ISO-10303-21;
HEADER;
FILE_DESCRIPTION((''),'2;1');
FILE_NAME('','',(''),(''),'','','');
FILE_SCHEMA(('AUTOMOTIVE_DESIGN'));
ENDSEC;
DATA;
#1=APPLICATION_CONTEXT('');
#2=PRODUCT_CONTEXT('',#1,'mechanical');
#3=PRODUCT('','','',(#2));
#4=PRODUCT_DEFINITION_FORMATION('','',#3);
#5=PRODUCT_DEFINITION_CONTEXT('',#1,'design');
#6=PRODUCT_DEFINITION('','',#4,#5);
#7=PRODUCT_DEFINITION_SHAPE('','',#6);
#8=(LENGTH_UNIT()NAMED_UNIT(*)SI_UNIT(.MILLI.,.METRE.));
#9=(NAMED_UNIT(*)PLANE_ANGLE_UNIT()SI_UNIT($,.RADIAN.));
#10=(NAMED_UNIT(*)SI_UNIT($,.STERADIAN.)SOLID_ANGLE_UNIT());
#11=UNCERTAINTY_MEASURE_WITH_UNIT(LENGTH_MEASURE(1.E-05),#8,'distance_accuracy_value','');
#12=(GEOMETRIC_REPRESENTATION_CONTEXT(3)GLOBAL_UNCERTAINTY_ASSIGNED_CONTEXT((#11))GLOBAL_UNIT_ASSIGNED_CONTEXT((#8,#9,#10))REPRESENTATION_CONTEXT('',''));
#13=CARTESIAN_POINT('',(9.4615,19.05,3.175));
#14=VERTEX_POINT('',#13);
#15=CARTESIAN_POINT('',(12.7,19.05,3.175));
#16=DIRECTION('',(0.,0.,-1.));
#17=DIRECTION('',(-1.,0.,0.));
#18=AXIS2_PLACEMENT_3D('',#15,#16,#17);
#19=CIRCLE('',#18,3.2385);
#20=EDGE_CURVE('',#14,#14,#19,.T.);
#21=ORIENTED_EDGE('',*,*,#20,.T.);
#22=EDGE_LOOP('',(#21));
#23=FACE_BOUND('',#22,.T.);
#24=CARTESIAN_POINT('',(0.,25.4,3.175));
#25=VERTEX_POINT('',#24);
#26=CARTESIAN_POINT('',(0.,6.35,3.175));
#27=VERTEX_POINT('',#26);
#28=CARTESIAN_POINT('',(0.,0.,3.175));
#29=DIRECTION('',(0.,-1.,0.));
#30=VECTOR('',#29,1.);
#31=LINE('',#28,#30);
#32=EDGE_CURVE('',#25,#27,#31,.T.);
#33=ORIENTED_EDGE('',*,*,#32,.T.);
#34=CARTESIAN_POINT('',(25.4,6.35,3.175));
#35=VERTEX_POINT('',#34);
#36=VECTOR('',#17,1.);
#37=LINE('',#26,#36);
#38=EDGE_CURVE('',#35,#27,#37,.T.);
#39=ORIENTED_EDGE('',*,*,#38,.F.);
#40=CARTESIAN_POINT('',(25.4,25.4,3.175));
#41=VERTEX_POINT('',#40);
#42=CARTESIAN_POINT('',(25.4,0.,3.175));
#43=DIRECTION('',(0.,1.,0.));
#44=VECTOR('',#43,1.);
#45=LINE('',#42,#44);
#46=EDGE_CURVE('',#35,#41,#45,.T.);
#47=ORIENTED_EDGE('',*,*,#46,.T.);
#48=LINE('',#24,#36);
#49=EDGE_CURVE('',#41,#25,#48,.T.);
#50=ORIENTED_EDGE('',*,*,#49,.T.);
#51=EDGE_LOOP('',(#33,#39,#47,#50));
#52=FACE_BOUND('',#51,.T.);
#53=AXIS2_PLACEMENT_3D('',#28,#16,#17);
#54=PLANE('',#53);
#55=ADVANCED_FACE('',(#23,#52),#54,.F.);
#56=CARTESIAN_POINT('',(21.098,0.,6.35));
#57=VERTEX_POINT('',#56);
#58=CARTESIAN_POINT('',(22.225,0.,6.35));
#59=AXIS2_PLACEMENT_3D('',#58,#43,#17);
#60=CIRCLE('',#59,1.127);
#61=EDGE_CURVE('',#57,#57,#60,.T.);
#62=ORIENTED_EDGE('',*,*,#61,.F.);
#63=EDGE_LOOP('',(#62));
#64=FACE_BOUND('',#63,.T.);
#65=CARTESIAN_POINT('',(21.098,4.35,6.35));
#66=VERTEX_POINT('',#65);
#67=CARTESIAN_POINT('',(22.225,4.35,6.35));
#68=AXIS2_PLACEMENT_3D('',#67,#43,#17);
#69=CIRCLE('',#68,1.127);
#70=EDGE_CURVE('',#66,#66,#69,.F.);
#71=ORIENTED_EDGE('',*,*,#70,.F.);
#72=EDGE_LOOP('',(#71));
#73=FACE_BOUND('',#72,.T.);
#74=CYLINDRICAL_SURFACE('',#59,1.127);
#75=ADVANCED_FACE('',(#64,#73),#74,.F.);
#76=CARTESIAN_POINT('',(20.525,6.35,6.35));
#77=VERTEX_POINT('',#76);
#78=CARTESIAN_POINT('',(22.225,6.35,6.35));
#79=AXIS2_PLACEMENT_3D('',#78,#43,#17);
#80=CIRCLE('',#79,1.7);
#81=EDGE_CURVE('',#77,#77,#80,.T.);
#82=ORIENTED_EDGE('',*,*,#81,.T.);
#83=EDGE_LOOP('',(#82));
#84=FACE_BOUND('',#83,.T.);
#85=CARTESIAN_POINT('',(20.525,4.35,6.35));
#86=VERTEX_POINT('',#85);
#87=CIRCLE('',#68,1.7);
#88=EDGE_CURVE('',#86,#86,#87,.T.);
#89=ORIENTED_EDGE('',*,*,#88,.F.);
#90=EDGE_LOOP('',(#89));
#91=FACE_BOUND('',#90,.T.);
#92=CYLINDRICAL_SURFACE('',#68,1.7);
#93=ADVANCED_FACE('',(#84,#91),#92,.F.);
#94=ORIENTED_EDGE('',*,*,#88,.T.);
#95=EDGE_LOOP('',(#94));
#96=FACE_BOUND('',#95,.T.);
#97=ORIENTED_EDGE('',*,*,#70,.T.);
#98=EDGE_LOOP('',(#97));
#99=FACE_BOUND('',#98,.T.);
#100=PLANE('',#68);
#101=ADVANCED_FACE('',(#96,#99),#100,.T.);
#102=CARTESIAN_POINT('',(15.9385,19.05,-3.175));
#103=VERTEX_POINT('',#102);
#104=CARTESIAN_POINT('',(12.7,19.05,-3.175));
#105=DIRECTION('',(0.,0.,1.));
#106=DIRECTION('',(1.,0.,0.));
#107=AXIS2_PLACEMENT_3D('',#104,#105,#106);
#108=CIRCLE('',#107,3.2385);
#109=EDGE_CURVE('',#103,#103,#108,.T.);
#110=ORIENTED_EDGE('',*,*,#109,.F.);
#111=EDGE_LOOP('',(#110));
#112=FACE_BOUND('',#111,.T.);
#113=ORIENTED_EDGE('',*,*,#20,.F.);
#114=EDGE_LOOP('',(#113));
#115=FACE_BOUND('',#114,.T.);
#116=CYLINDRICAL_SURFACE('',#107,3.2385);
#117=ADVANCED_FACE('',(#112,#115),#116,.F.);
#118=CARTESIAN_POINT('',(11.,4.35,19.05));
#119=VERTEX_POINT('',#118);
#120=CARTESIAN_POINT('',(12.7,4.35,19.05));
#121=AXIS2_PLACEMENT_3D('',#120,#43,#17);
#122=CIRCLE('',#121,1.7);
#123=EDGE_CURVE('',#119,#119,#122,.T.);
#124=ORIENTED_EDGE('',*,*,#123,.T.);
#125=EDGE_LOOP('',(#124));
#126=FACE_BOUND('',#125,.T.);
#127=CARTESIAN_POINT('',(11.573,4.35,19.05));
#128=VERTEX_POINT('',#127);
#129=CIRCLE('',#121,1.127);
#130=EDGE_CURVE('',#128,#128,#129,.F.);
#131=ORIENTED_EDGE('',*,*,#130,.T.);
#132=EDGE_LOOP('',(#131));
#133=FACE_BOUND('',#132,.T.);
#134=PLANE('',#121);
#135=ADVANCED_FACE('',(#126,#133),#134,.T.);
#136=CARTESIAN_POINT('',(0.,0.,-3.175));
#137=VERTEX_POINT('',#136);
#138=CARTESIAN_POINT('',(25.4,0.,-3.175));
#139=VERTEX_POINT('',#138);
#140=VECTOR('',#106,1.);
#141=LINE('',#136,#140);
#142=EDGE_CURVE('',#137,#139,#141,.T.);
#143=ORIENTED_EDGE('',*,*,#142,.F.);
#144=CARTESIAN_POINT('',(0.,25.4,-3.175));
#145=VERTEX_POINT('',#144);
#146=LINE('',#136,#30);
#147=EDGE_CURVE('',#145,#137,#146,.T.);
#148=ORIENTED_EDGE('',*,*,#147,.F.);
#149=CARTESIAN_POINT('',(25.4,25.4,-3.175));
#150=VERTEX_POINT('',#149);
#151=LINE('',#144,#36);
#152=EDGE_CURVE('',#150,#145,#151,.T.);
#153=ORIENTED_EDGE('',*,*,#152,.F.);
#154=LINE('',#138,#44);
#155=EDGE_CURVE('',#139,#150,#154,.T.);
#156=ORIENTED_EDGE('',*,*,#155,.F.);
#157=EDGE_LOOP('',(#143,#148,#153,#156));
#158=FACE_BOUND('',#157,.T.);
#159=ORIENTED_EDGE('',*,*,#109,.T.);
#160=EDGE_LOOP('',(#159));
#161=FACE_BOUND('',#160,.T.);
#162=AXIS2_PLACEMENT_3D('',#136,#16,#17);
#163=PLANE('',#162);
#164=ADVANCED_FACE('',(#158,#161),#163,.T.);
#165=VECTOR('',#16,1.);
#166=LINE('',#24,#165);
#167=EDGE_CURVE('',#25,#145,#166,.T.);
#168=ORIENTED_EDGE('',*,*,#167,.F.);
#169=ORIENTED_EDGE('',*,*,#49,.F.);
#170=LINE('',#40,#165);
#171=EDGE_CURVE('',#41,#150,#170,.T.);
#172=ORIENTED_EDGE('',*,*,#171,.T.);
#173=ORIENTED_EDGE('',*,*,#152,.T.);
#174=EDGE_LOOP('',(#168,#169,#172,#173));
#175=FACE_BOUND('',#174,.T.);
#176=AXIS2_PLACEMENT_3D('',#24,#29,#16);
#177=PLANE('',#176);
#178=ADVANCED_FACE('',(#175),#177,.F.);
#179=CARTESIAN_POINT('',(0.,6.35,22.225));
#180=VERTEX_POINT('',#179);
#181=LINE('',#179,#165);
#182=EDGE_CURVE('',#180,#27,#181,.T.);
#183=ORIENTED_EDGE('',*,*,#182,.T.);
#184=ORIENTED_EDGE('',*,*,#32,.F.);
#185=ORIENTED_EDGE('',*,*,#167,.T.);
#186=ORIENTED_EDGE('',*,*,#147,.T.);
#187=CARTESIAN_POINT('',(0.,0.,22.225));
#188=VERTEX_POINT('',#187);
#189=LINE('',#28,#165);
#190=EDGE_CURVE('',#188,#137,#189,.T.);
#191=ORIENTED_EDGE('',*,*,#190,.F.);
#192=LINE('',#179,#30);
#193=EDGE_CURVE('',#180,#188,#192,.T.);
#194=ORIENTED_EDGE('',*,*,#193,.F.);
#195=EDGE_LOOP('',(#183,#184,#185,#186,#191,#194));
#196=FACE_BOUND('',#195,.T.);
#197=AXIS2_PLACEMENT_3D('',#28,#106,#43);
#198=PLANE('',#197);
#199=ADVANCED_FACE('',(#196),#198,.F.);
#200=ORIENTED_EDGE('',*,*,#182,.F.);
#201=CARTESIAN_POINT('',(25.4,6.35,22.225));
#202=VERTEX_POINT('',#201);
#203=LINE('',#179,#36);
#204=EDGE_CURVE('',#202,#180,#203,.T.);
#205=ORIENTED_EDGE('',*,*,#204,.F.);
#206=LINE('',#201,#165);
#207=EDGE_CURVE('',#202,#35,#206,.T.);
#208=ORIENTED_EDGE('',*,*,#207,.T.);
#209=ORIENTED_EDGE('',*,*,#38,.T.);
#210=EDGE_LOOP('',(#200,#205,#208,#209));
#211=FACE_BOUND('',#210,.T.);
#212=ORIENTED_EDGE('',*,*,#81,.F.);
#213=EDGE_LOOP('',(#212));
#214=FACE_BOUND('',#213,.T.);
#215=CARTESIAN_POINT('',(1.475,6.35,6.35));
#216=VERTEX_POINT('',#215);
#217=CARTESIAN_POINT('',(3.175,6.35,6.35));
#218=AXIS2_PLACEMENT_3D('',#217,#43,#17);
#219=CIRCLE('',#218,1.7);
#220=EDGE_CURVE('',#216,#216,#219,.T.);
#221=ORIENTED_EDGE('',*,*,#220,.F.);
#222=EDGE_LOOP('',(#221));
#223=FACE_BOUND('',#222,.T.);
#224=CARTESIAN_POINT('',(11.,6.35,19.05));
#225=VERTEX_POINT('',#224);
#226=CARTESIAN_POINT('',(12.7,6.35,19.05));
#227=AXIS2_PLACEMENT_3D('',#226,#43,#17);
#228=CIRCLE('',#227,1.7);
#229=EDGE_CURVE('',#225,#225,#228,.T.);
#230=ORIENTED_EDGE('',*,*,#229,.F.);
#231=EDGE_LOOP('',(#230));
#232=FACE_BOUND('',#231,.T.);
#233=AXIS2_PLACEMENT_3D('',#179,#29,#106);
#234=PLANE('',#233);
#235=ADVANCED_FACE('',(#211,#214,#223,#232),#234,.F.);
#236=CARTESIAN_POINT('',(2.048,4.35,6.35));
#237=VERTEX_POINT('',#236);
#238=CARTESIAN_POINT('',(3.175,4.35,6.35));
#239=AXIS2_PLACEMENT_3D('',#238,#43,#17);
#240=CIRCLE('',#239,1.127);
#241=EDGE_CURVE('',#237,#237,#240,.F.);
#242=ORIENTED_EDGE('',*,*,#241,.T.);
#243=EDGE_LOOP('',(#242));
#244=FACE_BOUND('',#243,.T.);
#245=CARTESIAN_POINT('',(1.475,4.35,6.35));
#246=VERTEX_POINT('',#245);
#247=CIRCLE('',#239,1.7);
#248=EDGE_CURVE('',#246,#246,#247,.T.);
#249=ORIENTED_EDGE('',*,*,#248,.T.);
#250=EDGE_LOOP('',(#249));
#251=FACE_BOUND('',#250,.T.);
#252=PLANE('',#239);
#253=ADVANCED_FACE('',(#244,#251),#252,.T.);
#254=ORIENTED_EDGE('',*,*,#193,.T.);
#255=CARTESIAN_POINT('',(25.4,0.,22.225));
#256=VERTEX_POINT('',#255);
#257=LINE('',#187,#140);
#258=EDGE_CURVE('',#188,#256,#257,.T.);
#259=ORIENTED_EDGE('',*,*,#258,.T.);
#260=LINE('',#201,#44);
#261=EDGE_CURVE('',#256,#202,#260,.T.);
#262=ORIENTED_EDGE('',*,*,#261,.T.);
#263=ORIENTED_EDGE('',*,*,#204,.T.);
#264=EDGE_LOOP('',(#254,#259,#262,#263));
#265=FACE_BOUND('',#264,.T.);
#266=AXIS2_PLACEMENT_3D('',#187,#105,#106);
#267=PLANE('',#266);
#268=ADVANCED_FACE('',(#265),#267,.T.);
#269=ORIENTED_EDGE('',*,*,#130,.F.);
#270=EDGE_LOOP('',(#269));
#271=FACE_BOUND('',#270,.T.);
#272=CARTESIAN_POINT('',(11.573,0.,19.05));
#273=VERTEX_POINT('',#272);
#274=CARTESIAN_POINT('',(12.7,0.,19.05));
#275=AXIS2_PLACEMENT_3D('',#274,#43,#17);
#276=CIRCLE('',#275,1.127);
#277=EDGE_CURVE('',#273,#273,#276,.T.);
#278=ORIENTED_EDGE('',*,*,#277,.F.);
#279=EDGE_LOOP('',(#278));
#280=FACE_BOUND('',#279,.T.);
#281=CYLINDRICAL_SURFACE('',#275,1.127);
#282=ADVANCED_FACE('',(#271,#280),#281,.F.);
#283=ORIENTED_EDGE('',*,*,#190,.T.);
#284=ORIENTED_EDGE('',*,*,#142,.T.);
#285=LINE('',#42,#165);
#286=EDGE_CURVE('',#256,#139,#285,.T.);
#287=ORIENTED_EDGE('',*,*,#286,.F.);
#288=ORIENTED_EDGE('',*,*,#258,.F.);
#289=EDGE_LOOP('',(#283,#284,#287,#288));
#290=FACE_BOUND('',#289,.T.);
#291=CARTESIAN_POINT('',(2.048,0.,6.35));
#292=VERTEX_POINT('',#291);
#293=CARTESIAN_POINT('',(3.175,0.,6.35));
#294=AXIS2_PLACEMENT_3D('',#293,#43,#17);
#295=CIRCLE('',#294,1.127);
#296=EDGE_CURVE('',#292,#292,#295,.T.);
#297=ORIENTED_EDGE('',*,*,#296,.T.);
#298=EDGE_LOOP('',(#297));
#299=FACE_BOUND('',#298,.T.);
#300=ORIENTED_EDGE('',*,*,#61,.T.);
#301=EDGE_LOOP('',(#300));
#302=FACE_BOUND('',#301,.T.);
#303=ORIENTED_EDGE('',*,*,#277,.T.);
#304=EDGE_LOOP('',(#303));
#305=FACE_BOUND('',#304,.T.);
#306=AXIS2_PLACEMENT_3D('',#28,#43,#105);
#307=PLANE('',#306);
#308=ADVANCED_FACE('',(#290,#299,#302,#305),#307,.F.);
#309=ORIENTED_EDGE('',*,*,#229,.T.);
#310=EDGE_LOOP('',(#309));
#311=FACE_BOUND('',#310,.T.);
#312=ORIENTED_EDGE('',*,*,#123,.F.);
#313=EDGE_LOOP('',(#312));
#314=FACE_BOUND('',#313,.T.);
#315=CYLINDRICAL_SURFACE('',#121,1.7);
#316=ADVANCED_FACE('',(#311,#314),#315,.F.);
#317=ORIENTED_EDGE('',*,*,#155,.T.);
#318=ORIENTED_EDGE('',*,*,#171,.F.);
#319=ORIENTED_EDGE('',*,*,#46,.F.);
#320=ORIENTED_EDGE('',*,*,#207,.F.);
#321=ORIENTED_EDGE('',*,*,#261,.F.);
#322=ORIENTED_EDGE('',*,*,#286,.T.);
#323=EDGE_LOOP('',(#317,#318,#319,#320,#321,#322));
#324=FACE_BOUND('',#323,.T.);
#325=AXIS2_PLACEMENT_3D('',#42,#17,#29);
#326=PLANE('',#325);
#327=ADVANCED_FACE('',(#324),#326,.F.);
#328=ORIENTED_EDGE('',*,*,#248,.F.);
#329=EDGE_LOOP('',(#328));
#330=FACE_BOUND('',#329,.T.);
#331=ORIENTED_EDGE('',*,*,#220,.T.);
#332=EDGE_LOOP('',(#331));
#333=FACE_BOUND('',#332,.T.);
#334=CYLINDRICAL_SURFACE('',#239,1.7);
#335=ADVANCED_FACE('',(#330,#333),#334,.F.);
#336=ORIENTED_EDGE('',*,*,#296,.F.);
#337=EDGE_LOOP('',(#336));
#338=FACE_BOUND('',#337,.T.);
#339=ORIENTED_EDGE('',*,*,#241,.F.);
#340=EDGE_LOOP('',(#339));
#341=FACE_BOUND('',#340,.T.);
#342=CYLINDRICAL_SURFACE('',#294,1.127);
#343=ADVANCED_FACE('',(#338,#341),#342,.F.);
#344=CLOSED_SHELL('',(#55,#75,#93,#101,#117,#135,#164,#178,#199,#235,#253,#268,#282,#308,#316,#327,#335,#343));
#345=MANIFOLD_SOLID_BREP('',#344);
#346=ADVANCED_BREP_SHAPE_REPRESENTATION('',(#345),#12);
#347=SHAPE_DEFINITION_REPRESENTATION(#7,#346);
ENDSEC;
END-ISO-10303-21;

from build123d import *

# Parameters (mm, degrees)
SKETCH1_W               = 25.4
SKETCH1_H               = 25.4
BOSS_EXTRUDE1_DEPTH     = 3.175
SKETCH2_W               = 25.4
SKETCH2_H               = 6.35
BOSS_EXTRUDE2_DEPTH     = 19.05
SKETCH4_R               = 1.127000032
CUT_EXTRUDE2_DEPTH      = 7.35
SKETCH9_R               = 1.700000029
CUT_EXTRUDE4_DEPTH      = 2.000000064
SKETCH3_R               = 3.2385
CUT_EXTRUDE1_DEPTH      = 20.05
CUT_EXTRUDE1_DEPTH_BACK = 7.35


with BuildPart() as part:
    # Sketch1 → Boss-Extrude1 (new body, symmetric)
    with BuildSketch(Plane.XY):
        with Locations((12.7, 12.7)):
            Rectangle(SKETCH1_W, SKETCH1_H)
    extrude(amount=BOSS_EXTRUDE1_DEPTH, both=True)

    # Sketch2 → Boss-Extrude2 (add)
    with BuildSketch(Plane.XY.offset(3.175)):
        with Locations((12.7, 3.175)):
            Rectangle(SKETCH2_W, SKETCH2_H)
    extrude(amount=BOSS_EXTRUDE2_DEPTH)

    # Sketch4 → Cut-Extrude2 (cut, through all)
    with BuildSketch(Plane(origin=(0, 6.35, 0), x_dir=(1, 0, 0), z_dir=(0, 1, 0))):
        with Locations((3.175, -6.35)):
            Circle(SKETCH4_R)
        with Locations((22.225, -6.35)):
            Circle(SKETCH4_R)
        with Locations((12.7, -19.05)):
            Circle(SKETCH4_R)
    extrude(amount=-CUT_EXTRUDE2_DEPTH, mode=Mode.SUBTRACT)

    # Sketch9 → Cut-Extrude4 (cut)
    with BuildSketch(Plane(origin=(0, 6.35, 0), x_dir=(1, 0, 0), z_dir=(0, 1, 0))):
        with Locations((3.175, -6.35)):
            Circle(SKETCH9_R)
        with Locations((22.225, -6.35)):
            Circle(SKETCH9_R)
        with Locations((12.7, -19.05)):
            Circle(SKETCH9_R)
    extrude(amount=-CUT_EXTRUDE4_DEPTH, mode=Mode.SUBTRACT)

    # Sketch3 → Cut-Extrude1 (cut, two sides)
    with BuildSketch(Plane.XY.offset(3.175)) as cut_extrude1_sk:
        with Locations((12.7, 19.05)):
            Circle(SKETCH3_R)
    extrude(amount=CUT_EXTRUDE1_DEPTH, mode=Mode.SUBTRACT)
    extrude(cut_extrude1_sk.sketch, amount=-CUT_EXTRUDE1_DEPTH_BACK, mode=Mode.SUBTRACT)


solid = part.part
